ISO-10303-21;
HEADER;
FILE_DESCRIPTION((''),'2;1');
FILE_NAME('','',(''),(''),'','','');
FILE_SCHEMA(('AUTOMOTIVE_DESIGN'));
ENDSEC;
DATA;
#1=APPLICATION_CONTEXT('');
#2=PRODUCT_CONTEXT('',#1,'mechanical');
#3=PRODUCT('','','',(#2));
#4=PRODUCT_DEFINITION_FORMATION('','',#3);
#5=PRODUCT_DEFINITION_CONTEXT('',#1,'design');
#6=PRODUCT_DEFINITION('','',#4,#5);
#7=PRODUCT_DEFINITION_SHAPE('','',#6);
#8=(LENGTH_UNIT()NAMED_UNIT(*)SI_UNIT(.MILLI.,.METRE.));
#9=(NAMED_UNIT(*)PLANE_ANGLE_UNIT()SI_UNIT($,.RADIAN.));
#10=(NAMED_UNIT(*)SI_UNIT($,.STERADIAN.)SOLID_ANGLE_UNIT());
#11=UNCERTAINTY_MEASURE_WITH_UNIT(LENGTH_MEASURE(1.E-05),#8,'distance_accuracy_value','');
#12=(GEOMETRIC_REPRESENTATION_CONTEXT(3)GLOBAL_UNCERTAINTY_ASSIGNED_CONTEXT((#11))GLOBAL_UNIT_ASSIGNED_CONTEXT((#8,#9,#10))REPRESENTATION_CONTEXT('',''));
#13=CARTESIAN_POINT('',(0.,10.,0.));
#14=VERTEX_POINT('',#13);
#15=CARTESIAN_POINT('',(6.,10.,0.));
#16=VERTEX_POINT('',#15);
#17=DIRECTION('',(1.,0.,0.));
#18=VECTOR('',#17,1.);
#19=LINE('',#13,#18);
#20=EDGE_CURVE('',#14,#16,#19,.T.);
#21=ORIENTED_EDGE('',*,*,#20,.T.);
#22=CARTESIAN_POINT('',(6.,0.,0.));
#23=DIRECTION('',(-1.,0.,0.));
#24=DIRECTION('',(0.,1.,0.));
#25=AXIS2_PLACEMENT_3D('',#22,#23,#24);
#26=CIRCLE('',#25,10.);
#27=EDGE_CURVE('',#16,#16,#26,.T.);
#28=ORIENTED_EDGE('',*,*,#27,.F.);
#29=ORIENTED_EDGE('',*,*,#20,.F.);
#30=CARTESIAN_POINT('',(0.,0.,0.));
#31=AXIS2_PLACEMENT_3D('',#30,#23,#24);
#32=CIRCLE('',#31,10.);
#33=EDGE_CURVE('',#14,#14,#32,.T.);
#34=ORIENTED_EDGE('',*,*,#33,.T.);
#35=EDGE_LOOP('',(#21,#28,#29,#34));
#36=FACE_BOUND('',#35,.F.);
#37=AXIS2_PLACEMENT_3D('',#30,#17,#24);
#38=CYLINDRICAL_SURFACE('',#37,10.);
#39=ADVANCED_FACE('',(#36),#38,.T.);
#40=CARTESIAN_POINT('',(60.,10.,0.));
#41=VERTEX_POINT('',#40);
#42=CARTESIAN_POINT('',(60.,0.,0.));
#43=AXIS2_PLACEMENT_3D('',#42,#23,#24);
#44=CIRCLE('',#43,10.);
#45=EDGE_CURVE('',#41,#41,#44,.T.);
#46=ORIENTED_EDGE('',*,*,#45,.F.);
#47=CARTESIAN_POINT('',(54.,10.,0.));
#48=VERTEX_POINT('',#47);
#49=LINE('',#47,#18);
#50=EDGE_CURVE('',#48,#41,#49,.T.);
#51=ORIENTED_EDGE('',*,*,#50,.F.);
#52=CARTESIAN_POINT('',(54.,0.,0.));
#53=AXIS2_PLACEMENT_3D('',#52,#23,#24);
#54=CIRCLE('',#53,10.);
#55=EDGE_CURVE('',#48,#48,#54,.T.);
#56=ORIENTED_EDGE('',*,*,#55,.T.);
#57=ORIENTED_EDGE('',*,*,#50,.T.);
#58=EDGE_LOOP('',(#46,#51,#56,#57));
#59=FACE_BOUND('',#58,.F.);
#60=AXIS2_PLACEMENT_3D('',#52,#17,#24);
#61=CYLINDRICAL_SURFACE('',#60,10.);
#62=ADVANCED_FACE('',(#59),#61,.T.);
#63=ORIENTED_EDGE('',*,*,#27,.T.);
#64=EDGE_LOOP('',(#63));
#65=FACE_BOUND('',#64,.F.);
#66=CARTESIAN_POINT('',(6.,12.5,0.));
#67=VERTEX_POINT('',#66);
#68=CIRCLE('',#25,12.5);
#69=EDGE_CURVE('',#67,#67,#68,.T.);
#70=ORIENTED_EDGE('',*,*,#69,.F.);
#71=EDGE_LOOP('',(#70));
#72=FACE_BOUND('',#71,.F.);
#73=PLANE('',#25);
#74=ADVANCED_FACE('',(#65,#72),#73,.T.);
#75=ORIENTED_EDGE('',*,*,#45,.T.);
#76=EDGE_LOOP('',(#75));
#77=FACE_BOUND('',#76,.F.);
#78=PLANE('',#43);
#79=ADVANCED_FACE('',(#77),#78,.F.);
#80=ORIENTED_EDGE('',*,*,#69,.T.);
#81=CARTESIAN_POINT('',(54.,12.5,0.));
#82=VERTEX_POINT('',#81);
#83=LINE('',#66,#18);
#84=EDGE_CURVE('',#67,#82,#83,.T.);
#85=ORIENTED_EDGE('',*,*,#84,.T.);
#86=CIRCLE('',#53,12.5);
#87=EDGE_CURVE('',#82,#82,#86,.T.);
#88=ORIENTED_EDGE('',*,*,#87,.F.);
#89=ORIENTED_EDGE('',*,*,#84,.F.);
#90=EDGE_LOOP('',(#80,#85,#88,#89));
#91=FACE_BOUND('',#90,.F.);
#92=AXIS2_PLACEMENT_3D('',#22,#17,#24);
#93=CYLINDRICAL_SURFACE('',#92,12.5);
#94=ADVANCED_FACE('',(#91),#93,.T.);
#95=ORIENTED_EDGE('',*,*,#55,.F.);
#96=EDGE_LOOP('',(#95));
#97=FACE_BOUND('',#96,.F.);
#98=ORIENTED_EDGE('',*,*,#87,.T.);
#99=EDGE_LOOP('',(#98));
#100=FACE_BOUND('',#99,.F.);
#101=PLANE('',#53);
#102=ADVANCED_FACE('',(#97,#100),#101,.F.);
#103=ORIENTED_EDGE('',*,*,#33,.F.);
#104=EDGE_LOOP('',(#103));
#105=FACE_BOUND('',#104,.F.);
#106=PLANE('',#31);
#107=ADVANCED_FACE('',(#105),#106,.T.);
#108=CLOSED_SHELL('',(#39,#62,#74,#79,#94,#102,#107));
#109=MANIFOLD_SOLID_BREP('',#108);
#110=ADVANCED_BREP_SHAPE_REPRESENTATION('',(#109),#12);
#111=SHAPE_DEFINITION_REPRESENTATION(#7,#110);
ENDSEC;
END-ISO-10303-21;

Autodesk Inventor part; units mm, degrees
ref_plane "YZ Plane" through (0, 0, 0) normal (1, 0, 0) x (0, 1, 0)
ref_plane "XZ Plane" through (0, 0, 0) normal (0, 1, 0) x (-1, 0, 0)
ref_plane "XY Plane" through (0, 0, 0) normal (0, 0, 1) x (1, 0, 0)
sketch "Sketch1" plane through (0, 0, 0) normal (0, 0, 1) x (1, 0, 0)
  line L0 (0, 0) -> (0, 10)
  line L1 (0, 10) -> (6, 10)
  line L2 (6, 10) -> (6, 12.5)
  line L3 (6, 12.5) -> (54, 12.5)
  line L4 (54, 12.5) -> (54, 10)
  line L5 (54, 10) -> (60, 10)
  line L6 (60, 10) -> (60, 0)
  line L7 (60, 0) -> (0, 0)
  dimension "d0" = 10
  dimension "d1" = 6
  dimension "d2" = 2.5
  dimension "d3" = 48
  dimension "d4" = 2.5
  dimension "d5" = 6
  dimension "d6" = 10
revolve "Revolution1" add sketch "Sketch1" angle 360 about axis through (60, 0, 0) along (-1, 0, 0)
sketch "Sketch2" plane through (60, 0, 0) normal (1, 0, 0) x (0, 0, -1)
  point P0 (0, 0)
  point P1 (-32.9803, -18.1231)
properties part number "roller pin"
